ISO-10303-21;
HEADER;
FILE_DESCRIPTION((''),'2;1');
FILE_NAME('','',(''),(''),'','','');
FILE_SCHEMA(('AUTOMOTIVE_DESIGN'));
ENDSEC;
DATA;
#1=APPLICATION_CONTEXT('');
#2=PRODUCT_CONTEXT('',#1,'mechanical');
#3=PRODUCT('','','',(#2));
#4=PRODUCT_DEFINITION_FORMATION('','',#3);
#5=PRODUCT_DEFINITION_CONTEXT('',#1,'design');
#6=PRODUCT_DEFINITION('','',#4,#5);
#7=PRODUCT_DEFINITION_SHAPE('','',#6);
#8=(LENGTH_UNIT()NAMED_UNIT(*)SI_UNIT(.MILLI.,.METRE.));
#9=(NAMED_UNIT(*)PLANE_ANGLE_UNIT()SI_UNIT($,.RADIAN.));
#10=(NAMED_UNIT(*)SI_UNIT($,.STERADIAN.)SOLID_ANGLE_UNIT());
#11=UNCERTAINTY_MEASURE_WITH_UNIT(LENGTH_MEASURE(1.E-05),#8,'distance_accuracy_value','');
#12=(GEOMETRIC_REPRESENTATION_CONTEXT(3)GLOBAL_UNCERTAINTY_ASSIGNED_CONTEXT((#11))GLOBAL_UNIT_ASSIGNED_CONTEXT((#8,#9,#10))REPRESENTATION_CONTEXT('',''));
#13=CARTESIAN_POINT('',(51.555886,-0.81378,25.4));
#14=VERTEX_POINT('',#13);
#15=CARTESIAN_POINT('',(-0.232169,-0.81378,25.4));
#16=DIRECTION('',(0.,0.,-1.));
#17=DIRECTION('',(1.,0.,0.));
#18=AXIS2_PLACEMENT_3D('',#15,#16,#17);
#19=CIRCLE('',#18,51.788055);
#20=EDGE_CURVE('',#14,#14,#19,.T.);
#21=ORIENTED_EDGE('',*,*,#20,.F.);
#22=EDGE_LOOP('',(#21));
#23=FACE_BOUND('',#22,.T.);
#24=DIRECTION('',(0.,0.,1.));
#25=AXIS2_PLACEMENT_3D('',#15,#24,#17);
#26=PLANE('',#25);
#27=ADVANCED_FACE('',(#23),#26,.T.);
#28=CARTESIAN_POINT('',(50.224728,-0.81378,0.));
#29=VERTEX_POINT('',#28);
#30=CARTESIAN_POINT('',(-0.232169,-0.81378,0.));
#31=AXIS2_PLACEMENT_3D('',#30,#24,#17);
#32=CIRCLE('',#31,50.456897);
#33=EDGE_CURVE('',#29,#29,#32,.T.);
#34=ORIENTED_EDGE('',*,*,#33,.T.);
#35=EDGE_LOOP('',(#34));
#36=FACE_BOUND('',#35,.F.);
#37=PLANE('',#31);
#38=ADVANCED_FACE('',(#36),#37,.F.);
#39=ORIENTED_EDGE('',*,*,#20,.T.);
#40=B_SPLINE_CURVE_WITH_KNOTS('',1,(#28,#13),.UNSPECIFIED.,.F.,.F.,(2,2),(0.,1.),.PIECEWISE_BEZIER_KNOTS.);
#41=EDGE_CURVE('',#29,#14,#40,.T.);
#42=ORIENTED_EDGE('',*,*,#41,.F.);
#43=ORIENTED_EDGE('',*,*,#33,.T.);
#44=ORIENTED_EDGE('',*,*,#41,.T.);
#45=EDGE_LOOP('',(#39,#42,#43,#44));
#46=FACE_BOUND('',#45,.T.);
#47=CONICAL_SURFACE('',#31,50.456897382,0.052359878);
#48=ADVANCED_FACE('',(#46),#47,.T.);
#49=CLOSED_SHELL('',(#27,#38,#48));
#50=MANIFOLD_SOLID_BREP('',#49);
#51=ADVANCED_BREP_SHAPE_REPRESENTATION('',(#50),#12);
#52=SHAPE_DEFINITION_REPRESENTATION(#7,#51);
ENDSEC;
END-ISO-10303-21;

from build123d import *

# Parameters (mm, degrees)
F0_R     = 50.4568973818
F1_DEPTH = 25.4
F1_TAPER = -3


with BuildPart() as f1:
    # F0 (on Top) → F1 (new body)
    with BuildSketch(Plane.XY):
        with Locations((-0.2321694046, -0.8137803525)):
            Circle(F0_R)
    extrude(amount=F1_DEPTH, taper=F1_TAPER)


solid = f1.part
